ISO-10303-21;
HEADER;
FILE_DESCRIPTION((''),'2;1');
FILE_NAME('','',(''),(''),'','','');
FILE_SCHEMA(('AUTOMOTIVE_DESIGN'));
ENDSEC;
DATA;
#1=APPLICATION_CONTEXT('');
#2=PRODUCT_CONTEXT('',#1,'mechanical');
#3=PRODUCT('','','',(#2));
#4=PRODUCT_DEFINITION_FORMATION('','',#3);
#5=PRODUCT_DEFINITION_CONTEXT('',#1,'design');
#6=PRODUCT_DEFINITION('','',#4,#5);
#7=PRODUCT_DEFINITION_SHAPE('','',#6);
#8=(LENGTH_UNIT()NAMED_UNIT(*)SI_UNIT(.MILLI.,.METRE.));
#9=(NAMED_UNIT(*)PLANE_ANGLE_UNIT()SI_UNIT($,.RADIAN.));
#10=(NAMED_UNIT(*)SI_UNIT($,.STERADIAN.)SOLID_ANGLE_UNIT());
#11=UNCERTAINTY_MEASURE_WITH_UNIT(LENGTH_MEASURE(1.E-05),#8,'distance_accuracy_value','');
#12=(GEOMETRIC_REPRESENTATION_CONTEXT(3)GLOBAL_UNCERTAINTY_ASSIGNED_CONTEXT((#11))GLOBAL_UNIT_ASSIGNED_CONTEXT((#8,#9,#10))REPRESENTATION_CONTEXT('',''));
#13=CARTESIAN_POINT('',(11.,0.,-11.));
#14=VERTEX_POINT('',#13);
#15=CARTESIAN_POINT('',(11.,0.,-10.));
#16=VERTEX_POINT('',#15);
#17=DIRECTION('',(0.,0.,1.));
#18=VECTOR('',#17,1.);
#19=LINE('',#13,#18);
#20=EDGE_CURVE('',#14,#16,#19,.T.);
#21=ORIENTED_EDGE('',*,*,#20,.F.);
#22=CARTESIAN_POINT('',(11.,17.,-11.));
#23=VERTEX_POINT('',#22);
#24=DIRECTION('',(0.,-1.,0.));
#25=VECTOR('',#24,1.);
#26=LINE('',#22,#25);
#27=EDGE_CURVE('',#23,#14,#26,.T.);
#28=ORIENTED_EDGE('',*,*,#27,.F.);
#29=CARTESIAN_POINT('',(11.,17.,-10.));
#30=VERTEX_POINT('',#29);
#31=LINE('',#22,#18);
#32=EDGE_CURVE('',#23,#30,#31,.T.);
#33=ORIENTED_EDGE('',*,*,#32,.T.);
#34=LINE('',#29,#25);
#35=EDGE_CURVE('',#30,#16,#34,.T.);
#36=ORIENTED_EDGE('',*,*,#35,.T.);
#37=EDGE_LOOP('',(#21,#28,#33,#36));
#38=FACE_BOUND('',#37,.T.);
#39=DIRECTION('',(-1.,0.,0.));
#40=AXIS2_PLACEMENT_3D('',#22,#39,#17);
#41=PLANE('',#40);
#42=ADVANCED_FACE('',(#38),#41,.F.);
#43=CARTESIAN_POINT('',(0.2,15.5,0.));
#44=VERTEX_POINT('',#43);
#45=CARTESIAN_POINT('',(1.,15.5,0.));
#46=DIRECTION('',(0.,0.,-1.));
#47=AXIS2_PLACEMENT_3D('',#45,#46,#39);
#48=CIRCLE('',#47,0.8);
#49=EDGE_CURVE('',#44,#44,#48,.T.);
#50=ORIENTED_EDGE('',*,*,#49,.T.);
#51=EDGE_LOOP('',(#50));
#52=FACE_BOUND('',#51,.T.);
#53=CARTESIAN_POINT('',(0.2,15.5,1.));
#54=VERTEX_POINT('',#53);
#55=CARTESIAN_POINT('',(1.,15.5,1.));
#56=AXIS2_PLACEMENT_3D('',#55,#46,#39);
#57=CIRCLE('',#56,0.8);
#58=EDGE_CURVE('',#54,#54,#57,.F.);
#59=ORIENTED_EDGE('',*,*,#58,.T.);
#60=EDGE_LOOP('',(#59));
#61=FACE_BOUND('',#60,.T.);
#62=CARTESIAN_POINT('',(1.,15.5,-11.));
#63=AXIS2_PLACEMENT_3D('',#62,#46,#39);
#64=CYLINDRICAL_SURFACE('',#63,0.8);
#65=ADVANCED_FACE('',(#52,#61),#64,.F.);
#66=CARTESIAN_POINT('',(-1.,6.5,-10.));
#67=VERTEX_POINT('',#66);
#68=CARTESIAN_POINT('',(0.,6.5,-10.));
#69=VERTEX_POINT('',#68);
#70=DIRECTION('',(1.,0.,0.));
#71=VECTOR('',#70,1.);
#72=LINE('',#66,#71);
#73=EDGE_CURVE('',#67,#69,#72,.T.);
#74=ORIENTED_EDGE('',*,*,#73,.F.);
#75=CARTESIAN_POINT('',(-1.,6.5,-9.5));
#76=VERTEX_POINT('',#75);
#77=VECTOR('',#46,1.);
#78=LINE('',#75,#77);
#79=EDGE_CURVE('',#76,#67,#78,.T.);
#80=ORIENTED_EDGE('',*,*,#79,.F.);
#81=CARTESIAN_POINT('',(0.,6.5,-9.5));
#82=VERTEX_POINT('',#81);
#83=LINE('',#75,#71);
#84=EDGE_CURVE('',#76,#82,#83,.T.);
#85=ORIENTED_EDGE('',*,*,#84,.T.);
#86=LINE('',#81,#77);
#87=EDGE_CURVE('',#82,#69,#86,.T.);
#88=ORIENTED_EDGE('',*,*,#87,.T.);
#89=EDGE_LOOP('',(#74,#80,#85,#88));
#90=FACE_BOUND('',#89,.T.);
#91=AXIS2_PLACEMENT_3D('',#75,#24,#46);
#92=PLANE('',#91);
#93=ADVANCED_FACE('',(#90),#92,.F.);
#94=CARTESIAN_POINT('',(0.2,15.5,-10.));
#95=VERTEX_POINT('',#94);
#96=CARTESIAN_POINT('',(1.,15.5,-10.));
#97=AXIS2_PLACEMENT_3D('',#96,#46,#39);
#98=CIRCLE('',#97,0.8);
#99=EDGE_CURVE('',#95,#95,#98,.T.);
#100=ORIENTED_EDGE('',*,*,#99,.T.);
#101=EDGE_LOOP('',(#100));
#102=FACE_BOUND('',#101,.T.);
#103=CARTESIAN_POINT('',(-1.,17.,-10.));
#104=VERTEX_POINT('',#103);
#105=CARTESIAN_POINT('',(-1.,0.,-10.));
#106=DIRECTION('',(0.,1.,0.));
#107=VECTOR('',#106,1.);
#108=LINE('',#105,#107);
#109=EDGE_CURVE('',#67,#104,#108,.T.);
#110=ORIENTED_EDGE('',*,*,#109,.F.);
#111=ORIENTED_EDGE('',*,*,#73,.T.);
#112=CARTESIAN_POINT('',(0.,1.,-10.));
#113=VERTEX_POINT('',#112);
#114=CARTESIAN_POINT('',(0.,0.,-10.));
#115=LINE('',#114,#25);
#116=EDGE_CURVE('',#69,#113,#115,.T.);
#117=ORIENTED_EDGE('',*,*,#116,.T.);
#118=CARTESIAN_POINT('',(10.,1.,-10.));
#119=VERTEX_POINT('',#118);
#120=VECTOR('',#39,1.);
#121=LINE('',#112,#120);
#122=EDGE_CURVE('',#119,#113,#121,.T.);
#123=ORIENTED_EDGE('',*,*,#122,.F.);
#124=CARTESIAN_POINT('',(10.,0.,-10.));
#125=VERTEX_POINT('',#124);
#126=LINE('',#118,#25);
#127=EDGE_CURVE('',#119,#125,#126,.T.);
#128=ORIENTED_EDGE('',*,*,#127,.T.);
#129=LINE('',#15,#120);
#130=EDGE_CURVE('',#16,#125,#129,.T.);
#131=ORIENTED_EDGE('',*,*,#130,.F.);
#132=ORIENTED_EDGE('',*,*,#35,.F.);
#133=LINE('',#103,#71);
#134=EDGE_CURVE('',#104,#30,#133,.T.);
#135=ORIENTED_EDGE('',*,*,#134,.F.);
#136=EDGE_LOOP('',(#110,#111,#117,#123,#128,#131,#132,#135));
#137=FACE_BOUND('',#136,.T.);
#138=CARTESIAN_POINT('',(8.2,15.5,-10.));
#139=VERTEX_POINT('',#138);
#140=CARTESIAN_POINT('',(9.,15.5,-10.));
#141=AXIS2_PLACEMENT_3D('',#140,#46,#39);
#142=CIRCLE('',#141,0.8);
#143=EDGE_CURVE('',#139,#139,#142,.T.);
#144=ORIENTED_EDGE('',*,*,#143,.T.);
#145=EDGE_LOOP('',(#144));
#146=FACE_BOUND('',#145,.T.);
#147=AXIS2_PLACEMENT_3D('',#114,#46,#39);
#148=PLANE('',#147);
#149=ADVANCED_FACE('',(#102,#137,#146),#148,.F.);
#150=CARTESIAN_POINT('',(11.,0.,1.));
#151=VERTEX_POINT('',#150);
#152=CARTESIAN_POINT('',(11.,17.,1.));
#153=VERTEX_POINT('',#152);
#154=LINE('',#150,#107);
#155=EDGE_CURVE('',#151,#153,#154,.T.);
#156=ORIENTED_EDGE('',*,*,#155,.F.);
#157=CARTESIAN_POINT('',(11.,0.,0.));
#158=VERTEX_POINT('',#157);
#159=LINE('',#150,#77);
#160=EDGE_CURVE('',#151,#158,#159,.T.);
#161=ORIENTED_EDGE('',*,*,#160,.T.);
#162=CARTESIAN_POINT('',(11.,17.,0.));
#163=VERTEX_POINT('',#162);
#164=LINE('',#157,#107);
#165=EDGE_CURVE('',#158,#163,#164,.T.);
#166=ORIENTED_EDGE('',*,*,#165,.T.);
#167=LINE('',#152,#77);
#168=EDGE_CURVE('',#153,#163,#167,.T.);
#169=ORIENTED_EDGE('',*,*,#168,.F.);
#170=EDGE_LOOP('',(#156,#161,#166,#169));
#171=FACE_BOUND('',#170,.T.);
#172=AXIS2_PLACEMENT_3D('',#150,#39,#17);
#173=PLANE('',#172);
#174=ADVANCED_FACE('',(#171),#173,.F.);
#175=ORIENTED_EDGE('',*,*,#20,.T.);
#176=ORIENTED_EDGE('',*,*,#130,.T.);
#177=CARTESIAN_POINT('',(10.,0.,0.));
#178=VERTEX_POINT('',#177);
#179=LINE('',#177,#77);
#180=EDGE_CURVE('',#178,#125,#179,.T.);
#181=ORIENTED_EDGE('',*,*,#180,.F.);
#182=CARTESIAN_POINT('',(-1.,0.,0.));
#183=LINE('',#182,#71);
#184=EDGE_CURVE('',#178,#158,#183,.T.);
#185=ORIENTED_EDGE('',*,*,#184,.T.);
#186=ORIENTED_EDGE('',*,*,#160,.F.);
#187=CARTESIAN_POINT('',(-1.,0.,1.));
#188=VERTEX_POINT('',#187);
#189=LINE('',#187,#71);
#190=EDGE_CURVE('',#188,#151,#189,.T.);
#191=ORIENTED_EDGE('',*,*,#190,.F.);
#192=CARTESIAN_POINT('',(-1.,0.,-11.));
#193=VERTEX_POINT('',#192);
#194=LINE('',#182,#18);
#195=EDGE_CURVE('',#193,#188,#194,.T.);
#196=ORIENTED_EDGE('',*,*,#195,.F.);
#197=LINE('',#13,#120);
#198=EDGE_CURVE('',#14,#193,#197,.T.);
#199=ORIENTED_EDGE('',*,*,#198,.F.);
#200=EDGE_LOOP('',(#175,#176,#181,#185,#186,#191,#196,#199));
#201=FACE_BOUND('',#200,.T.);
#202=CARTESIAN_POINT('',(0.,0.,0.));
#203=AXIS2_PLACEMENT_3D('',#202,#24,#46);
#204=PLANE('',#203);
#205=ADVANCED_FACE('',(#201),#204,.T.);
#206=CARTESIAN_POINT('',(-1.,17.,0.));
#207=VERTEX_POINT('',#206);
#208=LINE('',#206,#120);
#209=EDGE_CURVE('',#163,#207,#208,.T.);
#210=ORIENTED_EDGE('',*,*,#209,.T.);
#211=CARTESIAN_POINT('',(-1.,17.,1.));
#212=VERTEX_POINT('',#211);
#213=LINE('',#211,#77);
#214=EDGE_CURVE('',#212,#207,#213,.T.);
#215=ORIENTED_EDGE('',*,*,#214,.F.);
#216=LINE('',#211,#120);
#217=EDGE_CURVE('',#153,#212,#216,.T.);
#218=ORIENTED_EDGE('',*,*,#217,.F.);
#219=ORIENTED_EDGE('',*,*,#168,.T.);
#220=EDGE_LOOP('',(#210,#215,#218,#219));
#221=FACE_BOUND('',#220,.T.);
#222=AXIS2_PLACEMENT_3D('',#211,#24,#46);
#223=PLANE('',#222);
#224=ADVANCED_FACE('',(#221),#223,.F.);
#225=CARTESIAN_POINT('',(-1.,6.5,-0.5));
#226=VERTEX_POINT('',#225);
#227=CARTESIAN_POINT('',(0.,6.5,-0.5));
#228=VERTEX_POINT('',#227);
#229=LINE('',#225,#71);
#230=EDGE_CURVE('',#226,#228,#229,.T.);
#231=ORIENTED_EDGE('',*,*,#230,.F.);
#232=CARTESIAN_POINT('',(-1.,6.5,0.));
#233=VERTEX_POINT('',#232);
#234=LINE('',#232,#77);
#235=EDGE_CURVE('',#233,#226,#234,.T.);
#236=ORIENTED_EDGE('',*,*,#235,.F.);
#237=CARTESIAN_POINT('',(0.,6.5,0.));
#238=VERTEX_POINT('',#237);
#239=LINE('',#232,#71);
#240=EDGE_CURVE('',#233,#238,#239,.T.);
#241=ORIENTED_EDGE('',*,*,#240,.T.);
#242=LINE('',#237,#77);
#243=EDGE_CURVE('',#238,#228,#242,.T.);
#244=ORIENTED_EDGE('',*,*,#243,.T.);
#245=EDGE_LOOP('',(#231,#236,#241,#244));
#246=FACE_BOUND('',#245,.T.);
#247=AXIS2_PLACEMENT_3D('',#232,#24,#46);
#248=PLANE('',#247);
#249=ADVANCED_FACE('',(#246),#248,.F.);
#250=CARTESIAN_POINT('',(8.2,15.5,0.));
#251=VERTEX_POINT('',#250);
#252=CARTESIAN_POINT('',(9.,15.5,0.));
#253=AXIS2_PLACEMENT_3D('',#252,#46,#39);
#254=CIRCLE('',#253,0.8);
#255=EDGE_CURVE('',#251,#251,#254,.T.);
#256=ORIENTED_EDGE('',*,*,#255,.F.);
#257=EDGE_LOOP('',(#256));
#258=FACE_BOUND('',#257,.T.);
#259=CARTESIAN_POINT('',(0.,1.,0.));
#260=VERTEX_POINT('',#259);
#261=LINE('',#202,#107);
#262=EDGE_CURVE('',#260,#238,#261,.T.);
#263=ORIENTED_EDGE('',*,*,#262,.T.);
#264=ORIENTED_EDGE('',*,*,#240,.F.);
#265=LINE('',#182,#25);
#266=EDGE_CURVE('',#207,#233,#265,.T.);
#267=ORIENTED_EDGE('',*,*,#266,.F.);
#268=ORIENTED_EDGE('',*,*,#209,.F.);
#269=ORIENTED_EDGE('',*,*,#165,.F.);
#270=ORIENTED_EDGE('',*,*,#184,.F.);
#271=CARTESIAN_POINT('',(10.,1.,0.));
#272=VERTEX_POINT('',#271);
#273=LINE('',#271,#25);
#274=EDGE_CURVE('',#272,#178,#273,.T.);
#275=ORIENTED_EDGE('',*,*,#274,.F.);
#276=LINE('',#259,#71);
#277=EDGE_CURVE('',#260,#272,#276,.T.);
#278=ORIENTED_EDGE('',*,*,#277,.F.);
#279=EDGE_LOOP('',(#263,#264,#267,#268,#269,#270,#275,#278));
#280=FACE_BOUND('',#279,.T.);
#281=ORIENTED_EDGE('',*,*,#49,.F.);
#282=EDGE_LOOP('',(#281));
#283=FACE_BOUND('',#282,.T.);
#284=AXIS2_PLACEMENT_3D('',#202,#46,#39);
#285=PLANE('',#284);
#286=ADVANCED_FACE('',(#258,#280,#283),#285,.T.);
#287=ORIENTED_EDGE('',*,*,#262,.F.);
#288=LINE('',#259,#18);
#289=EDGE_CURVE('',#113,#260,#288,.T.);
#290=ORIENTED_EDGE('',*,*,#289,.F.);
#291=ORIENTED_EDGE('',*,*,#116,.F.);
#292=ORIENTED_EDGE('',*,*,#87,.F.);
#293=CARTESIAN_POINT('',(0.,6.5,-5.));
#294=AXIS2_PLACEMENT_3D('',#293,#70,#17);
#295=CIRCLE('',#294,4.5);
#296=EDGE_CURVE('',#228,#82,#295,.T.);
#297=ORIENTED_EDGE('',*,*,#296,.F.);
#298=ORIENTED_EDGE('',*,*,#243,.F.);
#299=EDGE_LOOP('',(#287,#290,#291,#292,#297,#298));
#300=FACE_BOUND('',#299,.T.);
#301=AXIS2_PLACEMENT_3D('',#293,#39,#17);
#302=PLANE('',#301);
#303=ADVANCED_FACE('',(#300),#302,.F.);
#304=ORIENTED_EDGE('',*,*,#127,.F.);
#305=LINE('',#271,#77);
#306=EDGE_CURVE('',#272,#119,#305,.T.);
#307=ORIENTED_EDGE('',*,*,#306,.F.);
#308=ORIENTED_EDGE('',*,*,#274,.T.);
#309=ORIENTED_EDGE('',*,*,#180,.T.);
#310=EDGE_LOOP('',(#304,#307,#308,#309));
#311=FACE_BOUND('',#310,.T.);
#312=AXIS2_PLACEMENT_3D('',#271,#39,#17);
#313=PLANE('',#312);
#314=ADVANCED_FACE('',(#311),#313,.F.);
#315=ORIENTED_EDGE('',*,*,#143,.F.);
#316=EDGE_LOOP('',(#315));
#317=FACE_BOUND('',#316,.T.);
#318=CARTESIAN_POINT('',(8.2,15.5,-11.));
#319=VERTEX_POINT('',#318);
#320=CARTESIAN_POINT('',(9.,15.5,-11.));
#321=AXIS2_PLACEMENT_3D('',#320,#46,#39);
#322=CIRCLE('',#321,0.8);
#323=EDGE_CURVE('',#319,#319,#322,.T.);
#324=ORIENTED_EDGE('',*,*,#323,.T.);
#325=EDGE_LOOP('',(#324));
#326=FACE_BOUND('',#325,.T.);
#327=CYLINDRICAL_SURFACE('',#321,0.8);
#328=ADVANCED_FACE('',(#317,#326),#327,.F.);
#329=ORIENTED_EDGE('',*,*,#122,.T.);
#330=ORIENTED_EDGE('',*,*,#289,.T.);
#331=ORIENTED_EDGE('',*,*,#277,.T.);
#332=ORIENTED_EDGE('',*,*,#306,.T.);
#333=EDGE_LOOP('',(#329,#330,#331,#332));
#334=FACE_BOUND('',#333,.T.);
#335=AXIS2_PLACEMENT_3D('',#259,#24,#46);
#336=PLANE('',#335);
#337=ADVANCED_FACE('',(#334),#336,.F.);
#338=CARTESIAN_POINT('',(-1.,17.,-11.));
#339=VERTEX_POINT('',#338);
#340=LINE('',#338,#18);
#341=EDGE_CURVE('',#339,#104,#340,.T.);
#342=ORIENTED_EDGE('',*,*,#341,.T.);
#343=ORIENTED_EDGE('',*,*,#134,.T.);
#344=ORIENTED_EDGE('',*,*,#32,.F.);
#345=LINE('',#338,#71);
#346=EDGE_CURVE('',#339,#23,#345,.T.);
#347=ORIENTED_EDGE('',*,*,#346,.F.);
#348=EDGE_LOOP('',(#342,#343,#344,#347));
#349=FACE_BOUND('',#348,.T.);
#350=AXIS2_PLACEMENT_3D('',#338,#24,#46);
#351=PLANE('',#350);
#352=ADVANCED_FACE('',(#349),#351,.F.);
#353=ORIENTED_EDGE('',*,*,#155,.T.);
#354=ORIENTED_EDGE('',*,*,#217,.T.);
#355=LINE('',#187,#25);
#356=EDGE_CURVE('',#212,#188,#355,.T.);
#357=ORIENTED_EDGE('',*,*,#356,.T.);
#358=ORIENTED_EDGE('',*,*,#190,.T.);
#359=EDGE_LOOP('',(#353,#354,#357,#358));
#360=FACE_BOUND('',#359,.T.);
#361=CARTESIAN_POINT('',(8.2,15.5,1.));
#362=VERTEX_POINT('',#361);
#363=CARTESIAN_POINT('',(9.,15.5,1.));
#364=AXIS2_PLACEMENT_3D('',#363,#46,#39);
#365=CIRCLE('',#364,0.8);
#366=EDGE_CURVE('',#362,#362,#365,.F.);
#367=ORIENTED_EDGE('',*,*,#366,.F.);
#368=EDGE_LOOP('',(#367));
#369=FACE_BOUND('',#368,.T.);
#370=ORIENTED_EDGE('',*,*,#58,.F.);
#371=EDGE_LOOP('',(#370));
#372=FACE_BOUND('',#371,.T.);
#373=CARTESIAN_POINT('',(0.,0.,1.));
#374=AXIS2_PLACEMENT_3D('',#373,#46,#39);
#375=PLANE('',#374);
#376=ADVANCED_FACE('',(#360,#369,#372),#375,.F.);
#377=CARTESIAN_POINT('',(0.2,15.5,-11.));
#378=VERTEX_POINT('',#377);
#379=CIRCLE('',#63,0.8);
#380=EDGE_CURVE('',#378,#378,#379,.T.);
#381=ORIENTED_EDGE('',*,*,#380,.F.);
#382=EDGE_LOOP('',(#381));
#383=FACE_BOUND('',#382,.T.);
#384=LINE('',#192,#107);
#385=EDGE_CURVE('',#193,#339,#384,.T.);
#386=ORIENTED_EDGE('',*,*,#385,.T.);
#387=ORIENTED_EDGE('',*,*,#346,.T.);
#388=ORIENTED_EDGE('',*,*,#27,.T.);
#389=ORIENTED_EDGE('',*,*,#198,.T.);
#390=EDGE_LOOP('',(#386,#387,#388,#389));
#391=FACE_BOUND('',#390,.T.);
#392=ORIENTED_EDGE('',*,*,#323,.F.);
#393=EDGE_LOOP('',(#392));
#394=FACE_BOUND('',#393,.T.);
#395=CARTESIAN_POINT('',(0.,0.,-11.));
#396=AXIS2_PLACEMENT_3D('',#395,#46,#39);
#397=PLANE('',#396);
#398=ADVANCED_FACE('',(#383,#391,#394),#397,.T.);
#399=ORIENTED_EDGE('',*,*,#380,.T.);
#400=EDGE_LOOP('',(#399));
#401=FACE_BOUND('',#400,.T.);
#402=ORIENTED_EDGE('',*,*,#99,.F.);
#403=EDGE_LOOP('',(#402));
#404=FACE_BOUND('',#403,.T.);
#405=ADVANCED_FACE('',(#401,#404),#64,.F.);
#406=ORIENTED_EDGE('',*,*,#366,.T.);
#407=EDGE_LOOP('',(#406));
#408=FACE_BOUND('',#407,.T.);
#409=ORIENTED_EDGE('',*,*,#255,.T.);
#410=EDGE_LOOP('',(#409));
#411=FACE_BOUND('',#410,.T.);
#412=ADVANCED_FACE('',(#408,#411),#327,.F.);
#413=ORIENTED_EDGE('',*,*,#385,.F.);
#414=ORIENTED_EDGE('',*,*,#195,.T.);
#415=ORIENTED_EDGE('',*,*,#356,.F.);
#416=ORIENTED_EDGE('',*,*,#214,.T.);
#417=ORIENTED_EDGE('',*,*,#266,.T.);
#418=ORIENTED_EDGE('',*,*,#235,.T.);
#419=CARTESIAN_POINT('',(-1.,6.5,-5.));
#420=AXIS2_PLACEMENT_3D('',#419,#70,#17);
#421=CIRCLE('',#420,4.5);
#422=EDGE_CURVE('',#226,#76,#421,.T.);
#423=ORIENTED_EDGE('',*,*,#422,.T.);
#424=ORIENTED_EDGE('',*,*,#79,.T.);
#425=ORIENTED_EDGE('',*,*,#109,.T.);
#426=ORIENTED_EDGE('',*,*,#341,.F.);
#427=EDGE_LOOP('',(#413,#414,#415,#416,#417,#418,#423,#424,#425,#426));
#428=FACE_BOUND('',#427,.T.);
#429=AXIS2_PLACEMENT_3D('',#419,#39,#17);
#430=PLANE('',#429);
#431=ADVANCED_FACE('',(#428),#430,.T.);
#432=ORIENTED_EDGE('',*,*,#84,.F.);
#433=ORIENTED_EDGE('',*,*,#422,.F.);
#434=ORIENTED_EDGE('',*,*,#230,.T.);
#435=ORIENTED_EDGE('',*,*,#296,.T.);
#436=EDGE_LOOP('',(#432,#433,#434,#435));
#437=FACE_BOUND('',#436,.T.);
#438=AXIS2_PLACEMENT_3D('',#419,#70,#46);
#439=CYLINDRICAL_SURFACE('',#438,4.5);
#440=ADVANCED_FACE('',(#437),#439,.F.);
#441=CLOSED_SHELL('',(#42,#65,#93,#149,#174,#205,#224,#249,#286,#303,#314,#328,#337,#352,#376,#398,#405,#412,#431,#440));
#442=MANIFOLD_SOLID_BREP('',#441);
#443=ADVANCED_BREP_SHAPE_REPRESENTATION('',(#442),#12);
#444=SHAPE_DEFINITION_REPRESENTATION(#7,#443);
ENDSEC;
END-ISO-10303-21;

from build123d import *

# Parameters (mm, degrees)
SKETCH_1_W         = 10
SKETCH_1_H         = 10
EXTRUDE_1_DEPTH    = 1
EXTRUDE_2_DEPTH    = 1
SKETCH_4_W         = 12
SKETCH_4_H         = 17
EXTRUDE_4_DEPTH    = 1
SKETCH_5_W         = 12
SKETCH_5_H         = 17
EXTRUDE_5_DEPTH    = 1
HOLE_WIZARD_M2_1_D = 1.6


with BuildPart() as part:
    # 草图1 → 凸台-拉伸1 (new body)
    with BuildSketch(Plane(origin=(0, 0, 0), x_dir=(1, 0, 0), z_dir=(0, 1, 0))):
        with Locations((5, 5)):
            Rectangle(SKETCH_1_W, SKETCH_1_H)
    extrude(amount=EXTRUDE_1_DEPTH)

    # 草图2 → 凸台-拉伸2 (add)
    with BuildSketch(Plane.ZY):
        with BuildLine():
            Line((-9.5, 6.5), (-10, 6.5))
            Line((-10, 6.5), (-10, 0))
            Line((-10, 0), (0, 0))
            Line((0, 0), (0, 6.5))
            Line((0, 6.5), (-0.5, 6.5))
            ThreePointArc((-0.5, 6.5), (-5, 2), (-9.5, 6.5))
        make_face()
    extrude(amount=EXTRUDE_2_DEPTH)

    # 草图4 → 凸台-拉伸4 (add)
    with BuildSketch(Plane.XY):
        with Locations((5, 8.5)):
            Rectangle(SKETCH_4_W, SKETCH_4_H)
    extrude(amount=EXTRUDE_4_DEPTH)

    # 草图5 → 凸台-拉伸5 (add)
    with BuildSketch(Plane(origin=(0, 0, -10), x_dir=(-1, 0, 0), z_dir=(0, 0, -1))):
        with Locations((-5, 8.5)):
            Rectangle(SKETCH_5_W, SKETCH_5_H)
    extrude(amount=EXTRUDE_5_DEPTH)

    # M2 螺纹孔1 (through all)
    with Locations(Plane(origin=(0, 0, -11), x_dir=(-1, 0, 0), z_dir=(0, 0, -1))):
        with Locations((-9, 15.5), (-1, 15.5)):
            Hole(HOLE_WIZARD_M2_1_D / 2)


solid = part.part
